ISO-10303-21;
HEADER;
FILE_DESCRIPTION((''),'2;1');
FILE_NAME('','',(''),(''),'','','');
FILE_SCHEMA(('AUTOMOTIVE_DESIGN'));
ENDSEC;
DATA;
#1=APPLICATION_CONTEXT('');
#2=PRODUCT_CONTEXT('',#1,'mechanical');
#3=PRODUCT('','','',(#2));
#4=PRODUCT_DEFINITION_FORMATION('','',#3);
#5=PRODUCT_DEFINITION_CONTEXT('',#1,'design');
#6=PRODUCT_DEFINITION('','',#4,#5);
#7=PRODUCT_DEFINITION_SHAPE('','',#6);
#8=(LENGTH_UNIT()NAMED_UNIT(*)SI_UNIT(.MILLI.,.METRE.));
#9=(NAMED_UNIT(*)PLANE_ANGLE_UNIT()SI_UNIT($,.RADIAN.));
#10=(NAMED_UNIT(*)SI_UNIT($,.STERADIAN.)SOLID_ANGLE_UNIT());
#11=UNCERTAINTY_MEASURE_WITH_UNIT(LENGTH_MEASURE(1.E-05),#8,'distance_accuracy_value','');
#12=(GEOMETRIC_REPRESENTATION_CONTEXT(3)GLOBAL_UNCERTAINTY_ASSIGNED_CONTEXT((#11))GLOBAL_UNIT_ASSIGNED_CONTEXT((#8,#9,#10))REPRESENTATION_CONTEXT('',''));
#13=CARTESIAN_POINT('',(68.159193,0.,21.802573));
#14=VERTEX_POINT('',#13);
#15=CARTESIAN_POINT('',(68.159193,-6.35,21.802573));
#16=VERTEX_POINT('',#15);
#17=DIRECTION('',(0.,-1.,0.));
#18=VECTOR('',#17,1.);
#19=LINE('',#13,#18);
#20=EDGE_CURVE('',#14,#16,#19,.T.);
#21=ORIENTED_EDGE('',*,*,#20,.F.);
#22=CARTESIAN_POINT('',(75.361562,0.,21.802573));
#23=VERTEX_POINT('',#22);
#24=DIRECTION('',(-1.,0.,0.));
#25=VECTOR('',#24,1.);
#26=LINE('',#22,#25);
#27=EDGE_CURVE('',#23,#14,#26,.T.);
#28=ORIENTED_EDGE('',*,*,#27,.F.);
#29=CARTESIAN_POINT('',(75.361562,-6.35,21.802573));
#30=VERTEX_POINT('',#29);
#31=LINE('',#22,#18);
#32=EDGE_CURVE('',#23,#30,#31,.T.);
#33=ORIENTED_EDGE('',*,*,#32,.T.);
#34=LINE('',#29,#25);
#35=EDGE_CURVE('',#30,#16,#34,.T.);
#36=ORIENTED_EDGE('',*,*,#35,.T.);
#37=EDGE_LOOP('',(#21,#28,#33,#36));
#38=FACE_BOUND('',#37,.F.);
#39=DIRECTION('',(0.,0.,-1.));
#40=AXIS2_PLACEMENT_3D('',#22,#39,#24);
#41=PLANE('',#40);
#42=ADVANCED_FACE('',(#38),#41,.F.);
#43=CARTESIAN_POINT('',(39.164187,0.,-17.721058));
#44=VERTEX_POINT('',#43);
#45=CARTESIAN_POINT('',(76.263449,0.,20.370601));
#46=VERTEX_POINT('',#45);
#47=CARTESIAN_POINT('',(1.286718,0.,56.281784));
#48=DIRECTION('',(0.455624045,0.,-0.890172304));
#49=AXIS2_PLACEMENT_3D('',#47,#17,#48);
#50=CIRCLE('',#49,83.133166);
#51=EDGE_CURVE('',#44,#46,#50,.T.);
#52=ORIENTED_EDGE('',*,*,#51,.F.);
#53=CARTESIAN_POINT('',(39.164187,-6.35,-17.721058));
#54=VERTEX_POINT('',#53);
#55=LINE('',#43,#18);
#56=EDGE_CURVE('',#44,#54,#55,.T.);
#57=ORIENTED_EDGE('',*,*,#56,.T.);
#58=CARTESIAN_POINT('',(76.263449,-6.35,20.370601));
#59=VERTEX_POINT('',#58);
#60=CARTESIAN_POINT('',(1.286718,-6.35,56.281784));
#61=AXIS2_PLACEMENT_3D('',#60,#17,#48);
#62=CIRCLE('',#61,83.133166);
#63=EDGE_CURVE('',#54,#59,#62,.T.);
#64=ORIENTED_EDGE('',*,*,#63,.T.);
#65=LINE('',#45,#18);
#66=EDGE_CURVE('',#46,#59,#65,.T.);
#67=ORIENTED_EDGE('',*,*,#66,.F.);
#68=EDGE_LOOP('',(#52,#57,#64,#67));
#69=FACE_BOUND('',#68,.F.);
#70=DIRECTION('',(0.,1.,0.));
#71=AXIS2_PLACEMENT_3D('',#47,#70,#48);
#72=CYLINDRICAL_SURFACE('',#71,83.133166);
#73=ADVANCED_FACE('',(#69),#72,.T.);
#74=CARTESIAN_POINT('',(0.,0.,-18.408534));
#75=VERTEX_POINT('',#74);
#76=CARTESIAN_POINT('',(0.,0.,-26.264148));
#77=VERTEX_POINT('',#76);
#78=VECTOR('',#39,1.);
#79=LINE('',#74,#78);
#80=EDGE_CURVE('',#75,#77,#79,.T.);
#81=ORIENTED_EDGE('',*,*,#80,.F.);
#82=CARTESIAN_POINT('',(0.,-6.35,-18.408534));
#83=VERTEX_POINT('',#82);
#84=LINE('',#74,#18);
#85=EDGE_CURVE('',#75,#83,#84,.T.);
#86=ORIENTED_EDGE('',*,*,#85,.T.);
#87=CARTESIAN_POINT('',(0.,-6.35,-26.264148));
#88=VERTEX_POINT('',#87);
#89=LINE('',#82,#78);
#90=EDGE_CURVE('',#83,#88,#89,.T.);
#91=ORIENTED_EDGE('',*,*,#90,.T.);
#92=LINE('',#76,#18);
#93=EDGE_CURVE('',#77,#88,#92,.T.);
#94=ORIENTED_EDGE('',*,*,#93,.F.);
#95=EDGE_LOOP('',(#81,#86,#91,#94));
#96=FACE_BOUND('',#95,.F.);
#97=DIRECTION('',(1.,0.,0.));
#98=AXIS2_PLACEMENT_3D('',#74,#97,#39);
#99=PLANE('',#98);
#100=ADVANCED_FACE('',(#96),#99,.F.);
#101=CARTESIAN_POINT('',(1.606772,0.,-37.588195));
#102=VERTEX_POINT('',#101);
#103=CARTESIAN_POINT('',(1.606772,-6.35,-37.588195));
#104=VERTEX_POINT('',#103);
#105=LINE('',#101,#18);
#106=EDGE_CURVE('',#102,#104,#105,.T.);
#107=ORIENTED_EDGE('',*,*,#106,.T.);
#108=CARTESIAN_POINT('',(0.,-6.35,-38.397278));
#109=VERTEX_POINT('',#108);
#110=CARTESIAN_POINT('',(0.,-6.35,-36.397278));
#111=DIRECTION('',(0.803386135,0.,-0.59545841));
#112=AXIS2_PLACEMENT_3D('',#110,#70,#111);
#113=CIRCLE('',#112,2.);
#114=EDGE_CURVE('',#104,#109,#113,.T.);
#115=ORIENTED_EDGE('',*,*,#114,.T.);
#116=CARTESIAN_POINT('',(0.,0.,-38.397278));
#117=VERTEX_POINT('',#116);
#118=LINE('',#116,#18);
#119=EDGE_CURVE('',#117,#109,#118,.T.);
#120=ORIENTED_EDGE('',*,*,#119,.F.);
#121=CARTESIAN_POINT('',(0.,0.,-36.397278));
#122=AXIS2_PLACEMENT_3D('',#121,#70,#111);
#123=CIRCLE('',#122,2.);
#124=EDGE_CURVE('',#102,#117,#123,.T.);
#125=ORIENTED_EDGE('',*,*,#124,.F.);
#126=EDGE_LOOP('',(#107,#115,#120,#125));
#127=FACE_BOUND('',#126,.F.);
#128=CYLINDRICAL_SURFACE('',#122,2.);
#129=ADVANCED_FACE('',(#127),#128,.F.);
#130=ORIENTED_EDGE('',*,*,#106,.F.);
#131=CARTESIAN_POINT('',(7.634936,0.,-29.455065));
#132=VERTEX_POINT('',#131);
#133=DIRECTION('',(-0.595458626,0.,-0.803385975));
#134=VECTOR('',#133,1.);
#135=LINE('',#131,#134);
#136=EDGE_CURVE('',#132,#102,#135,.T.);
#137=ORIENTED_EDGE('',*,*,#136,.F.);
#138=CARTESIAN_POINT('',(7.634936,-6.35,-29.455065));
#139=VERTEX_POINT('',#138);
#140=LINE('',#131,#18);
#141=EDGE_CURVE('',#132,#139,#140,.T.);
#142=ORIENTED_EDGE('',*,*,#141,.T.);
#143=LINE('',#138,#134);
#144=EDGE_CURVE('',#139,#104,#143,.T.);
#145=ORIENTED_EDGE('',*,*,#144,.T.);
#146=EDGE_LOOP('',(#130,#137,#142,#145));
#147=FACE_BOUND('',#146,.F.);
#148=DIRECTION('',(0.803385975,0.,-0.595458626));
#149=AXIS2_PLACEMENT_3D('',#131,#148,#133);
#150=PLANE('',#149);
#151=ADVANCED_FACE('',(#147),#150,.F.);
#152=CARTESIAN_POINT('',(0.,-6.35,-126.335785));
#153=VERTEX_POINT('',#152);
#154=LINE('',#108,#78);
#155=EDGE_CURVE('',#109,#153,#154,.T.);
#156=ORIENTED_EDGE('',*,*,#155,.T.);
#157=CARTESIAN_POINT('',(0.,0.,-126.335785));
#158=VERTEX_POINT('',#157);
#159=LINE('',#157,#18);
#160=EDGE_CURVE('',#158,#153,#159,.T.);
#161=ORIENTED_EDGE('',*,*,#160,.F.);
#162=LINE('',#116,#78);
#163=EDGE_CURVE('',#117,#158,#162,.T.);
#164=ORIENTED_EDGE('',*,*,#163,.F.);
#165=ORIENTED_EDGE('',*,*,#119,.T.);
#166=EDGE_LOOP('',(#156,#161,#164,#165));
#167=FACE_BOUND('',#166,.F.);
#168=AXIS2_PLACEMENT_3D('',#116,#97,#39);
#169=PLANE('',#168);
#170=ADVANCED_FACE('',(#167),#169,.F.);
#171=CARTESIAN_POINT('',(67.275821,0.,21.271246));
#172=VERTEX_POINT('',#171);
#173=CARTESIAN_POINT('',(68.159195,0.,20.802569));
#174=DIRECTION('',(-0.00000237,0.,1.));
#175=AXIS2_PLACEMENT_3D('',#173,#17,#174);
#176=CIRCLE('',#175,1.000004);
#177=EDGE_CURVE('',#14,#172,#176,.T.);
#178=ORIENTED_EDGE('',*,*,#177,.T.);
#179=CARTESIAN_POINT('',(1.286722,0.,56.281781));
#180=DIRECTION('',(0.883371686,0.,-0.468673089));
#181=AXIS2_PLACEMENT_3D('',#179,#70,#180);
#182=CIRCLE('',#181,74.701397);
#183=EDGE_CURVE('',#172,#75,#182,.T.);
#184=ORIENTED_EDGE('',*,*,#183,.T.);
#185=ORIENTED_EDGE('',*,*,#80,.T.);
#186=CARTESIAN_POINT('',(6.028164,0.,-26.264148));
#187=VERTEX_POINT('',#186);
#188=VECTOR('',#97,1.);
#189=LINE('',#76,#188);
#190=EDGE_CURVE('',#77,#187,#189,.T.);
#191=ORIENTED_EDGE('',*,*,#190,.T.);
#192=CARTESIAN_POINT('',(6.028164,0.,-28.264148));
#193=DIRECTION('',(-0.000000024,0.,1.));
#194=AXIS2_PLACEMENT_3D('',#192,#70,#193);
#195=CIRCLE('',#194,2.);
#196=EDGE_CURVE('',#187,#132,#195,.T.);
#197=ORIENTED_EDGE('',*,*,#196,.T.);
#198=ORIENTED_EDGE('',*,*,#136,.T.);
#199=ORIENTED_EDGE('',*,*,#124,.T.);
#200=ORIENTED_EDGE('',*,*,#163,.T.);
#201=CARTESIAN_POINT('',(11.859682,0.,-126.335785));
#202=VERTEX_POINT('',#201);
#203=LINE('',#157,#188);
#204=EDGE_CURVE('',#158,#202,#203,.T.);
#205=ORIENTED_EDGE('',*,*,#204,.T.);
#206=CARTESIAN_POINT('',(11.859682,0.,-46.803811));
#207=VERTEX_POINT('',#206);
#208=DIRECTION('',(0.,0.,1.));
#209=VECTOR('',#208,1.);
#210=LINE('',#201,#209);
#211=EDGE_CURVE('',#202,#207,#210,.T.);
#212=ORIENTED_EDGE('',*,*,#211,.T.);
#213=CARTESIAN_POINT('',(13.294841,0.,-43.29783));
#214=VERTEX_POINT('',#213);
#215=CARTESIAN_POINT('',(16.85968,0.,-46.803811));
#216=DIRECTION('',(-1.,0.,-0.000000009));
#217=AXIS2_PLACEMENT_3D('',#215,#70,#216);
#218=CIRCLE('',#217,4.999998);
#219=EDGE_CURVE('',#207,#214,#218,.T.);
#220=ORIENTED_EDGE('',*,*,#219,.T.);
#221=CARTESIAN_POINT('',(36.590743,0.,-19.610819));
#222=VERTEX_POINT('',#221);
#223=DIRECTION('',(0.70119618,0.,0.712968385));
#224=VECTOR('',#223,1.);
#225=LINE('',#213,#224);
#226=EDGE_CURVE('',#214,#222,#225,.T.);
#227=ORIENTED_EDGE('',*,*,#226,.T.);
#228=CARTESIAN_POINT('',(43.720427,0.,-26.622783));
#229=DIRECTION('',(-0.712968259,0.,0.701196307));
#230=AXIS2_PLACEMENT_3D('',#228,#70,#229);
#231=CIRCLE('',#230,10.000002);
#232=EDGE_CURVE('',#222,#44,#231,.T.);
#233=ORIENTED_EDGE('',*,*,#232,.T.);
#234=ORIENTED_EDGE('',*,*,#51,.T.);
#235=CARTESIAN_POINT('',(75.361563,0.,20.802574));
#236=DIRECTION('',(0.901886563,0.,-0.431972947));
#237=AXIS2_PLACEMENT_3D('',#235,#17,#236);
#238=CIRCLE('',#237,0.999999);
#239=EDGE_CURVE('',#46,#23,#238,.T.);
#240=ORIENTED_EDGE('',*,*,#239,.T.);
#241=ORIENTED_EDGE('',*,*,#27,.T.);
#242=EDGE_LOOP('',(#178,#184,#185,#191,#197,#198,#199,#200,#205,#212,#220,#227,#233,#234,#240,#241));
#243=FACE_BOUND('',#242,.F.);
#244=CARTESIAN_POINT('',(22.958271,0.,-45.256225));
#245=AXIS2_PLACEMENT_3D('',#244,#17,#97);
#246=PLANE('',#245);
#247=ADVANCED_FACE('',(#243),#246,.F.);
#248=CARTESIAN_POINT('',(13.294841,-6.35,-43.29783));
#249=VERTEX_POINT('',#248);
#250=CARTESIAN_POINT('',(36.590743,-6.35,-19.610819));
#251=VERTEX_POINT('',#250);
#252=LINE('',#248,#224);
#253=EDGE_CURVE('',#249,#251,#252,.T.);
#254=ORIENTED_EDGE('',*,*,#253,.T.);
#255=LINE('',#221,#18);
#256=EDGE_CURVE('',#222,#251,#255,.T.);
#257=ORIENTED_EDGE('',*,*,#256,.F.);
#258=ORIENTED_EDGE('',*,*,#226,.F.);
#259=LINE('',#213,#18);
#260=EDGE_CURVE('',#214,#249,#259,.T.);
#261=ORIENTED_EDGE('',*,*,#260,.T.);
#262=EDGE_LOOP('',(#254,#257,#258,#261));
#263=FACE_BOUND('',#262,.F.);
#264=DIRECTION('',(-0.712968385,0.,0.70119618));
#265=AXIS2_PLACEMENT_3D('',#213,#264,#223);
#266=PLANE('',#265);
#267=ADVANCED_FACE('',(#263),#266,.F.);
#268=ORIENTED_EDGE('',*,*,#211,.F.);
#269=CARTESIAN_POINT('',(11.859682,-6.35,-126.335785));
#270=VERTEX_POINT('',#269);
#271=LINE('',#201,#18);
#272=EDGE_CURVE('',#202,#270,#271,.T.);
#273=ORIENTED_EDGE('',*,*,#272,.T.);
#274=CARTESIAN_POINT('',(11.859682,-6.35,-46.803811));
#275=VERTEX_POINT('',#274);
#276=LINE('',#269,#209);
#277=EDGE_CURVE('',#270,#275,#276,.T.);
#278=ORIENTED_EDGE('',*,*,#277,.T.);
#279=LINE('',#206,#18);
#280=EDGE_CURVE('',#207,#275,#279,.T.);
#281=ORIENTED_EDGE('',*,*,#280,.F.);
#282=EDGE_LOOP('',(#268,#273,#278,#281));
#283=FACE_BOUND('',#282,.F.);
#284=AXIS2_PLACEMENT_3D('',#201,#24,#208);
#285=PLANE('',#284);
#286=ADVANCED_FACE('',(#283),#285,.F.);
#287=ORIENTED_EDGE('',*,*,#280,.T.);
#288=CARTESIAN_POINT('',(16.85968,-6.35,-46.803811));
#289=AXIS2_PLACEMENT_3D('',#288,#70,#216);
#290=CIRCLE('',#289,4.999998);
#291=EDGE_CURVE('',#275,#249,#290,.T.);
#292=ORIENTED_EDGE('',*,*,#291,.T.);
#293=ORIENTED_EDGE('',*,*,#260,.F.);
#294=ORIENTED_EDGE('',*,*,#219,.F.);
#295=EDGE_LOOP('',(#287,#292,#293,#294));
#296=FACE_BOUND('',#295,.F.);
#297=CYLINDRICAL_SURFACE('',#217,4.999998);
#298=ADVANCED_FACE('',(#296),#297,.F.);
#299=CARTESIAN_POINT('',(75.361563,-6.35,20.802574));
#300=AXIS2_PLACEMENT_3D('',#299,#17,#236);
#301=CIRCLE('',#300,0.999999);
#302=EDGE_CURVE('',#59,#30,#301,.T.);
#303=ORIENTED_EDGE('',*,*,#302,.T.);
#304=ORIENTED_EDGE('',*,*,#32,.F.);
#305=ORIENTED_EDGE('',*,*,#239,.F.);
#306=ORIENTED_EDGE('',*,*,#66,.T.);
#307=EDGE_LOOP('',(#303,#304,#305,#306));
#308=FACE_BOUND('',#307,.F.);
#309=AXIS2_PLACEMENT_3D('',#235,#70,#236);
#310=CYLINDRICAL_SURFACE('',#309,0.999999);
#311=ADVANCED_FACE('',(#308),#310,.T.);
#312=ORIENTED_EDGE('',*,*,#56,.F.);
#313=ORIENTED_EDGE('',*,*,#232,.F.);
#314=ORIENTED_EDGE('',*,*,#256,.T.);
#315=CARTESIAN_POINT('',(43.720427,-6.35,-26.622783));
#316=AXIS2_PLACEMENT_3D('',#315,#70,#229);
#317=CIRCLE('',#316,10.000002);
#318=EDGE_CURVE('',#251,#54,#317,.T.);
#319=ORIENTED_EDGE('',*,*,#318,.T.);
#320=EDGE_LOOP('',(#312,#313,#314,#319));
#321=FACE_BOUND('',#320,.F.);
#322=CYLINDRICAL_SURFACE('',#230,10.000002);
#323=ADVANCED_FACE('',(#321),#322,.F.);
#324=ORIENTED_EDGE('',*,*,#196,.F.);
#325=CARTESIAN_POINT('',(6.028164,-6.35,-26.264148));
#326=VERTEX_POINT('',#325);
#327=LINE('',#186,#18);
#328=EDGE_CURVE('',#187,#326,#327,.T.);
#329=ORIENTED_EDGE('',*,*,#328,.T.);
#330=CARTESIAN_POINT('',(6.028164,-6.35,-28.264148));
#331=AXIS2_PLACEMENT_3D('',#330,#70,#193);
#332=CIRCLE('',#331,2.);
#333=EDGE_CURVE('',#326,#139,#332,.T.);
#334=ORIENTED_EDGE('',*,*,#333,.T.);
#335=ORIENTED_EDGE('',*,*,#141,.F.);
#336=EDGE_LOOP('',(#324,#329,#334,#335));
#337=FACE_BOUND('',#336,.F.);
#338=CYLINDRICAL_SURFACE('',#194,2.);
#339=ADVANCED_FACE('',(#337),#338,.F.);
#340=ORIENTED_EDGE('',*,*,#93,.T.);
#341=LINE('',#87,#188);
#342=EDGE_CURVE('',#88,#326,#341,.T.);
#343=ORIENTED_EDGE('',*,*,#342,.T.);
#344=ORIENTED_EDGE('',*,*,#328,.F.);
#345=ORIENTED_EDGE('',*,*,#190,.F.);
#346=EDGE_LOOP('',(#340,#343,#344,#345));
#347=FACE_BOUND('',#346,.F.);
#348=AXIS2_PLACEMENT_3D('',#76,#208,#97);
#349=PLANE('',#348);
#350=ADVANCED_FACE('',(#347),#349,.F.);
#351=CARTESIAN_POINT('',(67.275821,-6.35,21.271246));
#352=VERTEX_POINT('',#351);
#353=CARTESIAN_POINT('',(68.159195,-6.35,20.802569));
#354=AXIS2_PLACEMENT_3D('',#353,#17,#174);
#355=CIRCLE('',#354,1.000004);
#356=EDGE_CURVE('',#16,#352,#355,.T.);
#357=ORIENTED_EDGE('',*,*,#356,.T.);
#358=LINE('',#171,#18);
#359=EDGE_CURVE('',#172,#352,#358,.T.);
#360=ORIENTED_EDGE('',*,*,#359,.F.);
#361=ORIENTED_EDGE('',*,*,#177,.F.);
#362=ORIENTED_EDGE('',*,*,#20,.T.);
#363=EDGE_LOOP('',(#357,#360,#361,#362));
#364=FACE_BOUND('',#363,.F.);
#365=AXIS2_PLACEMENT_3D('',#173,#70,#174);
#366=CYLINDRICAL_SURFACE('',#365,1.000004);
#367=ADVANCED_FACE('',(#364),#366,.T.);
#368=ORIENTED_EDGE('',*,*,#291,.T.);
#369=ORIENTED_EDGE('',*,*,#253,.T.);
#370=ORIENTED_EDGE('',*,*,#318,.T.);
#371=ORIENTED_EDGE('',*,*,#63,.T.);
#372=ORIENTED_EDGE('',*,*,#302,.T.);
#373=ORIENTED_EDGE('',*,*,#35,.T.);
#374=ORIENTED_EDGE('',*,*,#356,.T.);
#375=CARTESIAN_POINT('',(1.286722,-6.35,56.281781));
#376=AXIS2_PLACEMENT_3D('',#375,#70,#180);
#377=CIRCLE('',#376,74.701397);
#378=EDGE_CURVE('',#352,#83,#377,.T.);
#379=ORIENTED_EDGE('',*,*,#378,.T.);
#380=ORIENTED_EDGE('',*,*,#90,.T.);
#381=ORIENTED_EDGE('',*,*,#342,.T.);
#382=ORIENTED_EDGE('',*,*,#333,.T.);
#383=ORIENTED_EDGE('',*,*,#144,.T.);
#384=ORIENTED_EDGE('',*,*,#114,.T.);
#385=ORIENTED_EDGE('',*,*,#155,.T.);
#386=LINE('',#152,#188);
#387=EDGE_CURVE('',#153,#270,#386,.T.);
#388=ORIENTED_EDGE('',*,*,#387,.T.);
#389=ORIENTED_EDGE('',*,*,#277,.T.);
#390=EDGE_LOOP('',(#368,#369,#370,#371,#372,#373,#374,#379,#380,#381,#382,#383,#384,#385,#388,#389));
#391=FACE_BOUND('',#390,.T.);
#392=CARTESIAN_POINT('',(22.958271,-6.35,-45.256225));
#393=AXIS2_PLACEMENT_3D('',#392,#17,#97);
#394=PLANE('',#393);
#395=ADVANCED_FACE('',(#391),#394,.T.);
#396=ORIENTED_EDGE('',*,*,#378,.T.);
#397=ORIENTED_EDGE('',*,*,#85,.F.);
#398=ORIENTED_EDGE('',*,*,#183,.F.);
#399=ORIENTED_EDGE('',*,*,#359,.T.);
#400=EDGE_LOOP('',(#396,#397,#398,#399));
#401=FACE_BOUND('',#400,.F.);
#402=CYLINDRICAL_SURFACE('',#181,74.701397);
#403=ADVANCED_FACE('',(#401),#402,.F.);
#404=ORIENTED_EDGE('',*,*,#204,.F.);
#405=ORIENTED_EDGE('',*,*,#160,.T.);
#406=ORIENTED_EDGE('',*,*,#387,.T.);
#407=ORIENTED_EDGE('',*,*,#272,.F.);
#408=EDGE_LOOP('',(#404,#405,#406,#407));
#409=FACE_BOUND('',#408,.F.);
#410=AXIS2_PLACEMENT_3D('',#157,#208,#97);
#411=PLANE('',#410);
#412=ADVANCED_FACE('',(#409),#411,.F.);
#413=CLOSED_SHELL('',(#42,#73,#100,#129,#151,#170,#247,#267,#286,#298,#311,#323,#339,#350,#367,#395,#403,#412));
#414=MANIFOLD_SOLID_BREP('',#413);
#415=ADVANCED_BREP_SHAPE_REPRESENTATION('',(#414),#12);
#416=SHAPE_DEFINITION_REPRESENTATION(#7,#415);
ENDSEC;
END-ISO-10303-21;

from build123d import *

# Parameters (mm, degrees)
F1_DEPTH = 6.35


with BuildPart() as f1:
    # F0 (on Front) → F1 (new body)
    with BuildSketch(Plane.XZ):
        with BuildLine():
            Line((75.361562, 21.802573), (68.159193, 21.802573))
            ThreePointArc((68.159193, 21.802573), (67.643768, 21.659507), (67.275821, 21.271246))
            ThreePointArc((67.275821, 21.271246), (39.236961, -8.061658), (0, -18.408534))
            Line((0, -18.408534), (0, -26.264148))
            Line((0, -26.264148), (6.028164, -26.264148))
            ThreePointArc((6.028164, -26.264148), (7.814478, -27.364658), (7.634936, -29.455065))
            Line((7.634936, -29.455065), (1.606772, -37.588195))
            ThreePointArc((1.606772, -37.588195), (0.89949, -38.183592), (0, -38.397278))
            Line((0, -38.397278), (0, -126.335785))
            Line((0, -126.335785), (11.859682, -126.335785))
            Line((11.859682, -126.335785), (11.859682, -46.803811))
            ThreePointArc((11.859682, -46.803811), (12.232361, -44.909636), (13.294841, -43.29783))
            Line((13.294841, -43.29783), (36.590743, -19.610819))
            ThreePointArc((36.590743, -19.610819), (37.801559, -18.56257), (39.164187, -17.721058))
            ThreePointArc((39.164187, -17.721058), (60.841409, -1.721337), (76.263449, 20.370601))
            ThreePointArc((76.263449, 20.370601), (76.207722, 21.335503), (75.361562, 21.802573))
        make_face()
    extrude(amount=F1_DEPTH)


solid = f1.part
